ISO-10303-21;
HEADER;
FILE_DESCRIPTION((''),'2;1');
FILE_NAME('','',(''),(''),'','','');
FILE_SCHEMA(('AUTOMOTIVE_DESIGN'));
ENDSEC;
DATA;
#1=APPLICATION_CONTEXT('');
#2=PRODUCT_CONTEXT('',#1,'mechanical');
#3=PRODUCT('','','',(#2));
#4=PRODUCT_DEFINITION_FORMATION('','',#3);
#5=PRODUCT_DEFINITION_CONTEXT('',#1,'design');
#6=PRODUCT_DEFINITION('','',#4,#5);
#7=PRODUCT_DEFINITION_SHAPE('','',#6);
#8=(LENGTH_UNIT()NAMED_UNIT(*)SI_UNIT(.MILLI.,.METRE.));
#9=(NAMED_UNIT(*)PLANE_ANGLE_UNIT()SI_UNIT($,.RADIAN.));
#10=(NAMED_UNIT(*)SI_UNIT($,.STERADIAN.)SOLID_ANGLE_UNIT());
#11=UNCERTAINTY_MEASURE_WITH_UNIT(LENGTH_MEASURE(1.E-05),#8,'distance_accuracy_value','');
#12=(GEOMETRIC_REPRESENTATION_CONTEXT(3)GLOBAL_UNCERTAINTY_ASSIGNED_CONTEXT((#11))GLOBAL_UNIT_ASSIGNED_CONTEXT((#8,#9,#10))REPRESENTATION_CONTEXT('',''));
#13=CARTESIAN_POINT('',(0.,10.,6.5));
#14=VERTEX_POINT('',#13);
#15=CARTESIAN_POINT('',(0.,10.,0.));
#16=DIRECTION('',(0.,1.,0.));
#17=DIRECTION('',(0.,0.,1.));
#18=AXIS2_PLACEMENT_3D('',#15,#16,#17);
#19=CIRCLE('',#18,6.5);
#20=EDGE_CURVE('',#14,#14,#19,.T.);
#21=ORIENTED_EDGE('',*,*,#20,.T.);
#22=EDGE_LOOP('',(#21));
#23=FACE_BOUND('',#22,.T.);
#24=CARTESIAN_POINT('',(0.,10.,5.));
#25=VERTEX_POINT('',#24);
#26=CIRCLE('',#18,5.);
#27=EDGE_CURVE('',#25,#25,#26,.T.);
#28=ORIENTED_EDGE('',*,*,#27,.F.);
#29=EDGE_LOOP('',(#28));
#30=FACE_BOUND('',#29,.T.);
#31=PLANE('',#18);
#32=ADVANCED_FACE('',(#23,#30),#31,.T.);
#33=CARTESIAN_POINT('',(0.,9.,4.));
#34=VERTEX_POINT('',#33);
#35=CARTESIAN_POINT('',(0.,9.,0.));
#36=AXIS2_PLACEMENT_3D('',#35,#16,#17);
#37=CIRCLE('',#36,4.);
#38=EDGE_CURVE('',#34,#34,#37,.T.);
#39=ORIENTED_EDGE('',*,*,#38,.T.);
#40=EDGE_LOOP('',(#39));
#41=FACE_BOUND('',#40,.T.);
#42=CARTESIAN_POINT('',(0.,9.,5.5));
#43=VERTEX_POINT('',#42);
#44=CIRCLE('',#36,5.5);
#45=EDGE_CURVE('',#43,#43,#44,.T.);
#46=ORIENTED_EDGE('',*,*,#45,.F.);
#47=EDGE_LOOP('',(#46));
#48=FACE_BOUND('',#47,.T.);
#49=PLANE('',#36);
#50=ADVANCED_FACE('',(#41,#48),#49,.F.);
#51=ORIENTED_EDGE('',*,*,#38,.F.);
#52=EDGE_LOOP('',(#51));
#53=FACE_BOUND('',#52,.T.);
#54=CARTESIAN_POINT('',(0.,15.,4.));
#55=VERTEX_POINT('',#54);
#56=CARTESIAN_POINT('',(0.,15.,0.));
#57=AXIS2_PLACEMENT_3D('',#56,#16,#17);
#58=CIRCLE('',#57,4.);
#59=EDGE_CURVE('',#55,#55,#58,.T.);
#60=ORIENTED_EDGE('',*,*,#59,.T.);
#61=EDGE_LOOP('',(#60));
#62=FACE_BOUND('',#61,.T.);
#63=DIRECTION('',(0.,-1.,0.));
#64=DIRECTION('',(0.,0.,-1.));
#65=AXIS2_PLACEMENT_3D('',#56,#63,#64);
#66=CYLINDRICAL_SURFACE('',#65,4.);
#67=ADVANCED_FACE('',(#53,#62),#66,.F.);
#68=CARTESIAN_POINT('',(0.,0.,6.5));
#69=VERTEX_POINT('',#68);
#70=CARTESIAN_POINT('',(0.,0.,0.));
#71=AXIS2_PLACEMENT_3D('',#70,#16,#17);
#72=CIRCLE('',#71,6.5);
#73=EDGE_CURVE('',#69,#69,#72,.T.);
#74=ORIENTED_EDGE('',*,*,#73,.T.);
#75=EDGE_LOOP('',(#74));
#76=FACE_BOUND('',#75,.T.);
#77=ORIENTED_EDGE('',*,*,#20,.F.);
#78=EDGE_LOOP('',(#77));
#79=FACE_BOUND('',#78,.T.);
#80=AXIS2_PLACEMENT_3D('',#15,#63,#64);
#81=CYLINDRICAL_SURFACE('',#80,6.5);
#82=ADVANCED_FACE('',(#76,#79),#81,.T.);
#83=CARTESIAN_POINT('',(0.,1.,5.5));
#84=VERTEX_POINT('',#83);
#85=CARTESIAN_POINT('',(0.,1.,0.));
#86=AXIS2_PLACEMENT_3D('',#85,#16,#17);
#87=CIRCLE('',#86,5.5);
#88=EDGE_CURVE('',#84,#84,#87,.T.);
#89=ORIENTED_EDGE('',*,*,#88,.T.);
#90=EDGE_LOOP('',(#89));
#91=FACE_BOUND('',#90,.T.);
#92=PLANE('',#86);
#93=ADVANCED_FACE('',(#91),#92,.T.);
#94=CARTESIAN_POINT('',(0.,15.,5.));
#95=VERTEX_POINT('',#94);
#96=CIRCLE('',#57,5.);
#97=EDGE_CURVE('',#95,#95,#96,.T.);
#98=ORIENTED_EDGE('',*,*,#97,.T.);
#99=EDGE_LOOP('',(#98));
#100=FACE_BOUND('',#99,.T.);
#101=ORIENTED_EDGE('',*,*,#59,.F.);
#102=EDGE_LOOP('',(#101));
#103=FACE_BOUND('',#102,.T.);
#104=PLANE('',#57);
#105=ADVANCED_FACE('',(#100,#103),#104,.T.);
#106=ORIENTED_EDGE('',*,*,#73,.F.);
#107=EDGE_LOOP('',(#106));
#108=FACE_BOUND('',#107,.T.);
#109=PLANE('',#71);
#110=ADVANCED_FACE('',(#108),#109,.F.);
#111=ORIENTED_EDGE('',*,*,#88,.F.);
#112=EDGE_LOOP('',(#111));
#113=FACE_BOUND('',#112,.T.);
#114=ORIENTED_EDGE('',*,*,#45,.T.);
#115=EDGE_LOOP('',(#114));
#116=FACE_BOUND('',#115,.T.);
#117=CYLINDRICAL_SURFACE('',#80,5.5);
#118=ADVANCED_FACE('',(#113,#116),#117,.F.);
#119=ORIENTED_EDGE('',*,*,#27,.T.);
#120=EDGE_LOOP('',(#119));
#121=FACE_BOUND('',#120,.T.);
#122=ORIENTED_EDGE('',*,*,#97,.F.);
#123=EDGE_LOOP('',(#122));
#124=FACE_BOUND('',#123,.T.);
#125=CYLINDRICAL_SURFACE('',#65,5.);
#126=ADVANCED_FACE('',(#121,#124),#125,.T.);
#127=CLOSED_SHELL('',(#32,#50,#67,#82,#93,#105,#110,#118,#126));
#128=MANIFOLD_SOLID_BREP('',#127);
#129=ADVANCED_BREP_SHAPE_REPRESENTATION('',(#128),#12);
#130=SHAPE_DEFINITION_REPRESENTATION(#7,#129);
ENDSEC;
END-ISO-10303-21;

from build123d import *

# Parameters (mm, degrees)
SKETCH1_R           = 6.5
BOSS_EXTRUDE1_DEPTH = 10
SKETCH2_R           = 5
BOSS_EXTRUDE2_DEPTH = 5
SHELL1_T            = -1


with BuildPart() as part:
    # Sketch1 → Boss-Extrude1 (new body)
    with BuildSketch(Plane(origin=(0, 0, 0), x_dir=(1, 0, 0), z_dir=(0, 1, 0))):
        with Locations(Location((0, 0, 0), (0, 0, 270))):
            Circle(SKETCH1_R)
    extrude(amount=BOSS_EXTRUDE1_DEPTH)

    # Sketch2 → Boss-Extrude2 (add)
    with BuildSketch(Plane(origin=(0, 10, 0), x_dir=(1, 0, 0), z_dir=(0, 1, 0))):
        with Locations(Location((0, 0, 0), (0, 0, 270))):
            Circle(SKETCH2_R)
    extrude(amount=BOSS_EXTRUDE2_DEPTH)

    # Shell1
    shell1_openings = [part.faces().sort_by_distance(p)[0] for p in [
        (0, 15, 0),
    ]]
    offset(amount=SHELL1_T, openings=shell1_openings, kind=Kind.INTERSECTION)


solid = part.part
